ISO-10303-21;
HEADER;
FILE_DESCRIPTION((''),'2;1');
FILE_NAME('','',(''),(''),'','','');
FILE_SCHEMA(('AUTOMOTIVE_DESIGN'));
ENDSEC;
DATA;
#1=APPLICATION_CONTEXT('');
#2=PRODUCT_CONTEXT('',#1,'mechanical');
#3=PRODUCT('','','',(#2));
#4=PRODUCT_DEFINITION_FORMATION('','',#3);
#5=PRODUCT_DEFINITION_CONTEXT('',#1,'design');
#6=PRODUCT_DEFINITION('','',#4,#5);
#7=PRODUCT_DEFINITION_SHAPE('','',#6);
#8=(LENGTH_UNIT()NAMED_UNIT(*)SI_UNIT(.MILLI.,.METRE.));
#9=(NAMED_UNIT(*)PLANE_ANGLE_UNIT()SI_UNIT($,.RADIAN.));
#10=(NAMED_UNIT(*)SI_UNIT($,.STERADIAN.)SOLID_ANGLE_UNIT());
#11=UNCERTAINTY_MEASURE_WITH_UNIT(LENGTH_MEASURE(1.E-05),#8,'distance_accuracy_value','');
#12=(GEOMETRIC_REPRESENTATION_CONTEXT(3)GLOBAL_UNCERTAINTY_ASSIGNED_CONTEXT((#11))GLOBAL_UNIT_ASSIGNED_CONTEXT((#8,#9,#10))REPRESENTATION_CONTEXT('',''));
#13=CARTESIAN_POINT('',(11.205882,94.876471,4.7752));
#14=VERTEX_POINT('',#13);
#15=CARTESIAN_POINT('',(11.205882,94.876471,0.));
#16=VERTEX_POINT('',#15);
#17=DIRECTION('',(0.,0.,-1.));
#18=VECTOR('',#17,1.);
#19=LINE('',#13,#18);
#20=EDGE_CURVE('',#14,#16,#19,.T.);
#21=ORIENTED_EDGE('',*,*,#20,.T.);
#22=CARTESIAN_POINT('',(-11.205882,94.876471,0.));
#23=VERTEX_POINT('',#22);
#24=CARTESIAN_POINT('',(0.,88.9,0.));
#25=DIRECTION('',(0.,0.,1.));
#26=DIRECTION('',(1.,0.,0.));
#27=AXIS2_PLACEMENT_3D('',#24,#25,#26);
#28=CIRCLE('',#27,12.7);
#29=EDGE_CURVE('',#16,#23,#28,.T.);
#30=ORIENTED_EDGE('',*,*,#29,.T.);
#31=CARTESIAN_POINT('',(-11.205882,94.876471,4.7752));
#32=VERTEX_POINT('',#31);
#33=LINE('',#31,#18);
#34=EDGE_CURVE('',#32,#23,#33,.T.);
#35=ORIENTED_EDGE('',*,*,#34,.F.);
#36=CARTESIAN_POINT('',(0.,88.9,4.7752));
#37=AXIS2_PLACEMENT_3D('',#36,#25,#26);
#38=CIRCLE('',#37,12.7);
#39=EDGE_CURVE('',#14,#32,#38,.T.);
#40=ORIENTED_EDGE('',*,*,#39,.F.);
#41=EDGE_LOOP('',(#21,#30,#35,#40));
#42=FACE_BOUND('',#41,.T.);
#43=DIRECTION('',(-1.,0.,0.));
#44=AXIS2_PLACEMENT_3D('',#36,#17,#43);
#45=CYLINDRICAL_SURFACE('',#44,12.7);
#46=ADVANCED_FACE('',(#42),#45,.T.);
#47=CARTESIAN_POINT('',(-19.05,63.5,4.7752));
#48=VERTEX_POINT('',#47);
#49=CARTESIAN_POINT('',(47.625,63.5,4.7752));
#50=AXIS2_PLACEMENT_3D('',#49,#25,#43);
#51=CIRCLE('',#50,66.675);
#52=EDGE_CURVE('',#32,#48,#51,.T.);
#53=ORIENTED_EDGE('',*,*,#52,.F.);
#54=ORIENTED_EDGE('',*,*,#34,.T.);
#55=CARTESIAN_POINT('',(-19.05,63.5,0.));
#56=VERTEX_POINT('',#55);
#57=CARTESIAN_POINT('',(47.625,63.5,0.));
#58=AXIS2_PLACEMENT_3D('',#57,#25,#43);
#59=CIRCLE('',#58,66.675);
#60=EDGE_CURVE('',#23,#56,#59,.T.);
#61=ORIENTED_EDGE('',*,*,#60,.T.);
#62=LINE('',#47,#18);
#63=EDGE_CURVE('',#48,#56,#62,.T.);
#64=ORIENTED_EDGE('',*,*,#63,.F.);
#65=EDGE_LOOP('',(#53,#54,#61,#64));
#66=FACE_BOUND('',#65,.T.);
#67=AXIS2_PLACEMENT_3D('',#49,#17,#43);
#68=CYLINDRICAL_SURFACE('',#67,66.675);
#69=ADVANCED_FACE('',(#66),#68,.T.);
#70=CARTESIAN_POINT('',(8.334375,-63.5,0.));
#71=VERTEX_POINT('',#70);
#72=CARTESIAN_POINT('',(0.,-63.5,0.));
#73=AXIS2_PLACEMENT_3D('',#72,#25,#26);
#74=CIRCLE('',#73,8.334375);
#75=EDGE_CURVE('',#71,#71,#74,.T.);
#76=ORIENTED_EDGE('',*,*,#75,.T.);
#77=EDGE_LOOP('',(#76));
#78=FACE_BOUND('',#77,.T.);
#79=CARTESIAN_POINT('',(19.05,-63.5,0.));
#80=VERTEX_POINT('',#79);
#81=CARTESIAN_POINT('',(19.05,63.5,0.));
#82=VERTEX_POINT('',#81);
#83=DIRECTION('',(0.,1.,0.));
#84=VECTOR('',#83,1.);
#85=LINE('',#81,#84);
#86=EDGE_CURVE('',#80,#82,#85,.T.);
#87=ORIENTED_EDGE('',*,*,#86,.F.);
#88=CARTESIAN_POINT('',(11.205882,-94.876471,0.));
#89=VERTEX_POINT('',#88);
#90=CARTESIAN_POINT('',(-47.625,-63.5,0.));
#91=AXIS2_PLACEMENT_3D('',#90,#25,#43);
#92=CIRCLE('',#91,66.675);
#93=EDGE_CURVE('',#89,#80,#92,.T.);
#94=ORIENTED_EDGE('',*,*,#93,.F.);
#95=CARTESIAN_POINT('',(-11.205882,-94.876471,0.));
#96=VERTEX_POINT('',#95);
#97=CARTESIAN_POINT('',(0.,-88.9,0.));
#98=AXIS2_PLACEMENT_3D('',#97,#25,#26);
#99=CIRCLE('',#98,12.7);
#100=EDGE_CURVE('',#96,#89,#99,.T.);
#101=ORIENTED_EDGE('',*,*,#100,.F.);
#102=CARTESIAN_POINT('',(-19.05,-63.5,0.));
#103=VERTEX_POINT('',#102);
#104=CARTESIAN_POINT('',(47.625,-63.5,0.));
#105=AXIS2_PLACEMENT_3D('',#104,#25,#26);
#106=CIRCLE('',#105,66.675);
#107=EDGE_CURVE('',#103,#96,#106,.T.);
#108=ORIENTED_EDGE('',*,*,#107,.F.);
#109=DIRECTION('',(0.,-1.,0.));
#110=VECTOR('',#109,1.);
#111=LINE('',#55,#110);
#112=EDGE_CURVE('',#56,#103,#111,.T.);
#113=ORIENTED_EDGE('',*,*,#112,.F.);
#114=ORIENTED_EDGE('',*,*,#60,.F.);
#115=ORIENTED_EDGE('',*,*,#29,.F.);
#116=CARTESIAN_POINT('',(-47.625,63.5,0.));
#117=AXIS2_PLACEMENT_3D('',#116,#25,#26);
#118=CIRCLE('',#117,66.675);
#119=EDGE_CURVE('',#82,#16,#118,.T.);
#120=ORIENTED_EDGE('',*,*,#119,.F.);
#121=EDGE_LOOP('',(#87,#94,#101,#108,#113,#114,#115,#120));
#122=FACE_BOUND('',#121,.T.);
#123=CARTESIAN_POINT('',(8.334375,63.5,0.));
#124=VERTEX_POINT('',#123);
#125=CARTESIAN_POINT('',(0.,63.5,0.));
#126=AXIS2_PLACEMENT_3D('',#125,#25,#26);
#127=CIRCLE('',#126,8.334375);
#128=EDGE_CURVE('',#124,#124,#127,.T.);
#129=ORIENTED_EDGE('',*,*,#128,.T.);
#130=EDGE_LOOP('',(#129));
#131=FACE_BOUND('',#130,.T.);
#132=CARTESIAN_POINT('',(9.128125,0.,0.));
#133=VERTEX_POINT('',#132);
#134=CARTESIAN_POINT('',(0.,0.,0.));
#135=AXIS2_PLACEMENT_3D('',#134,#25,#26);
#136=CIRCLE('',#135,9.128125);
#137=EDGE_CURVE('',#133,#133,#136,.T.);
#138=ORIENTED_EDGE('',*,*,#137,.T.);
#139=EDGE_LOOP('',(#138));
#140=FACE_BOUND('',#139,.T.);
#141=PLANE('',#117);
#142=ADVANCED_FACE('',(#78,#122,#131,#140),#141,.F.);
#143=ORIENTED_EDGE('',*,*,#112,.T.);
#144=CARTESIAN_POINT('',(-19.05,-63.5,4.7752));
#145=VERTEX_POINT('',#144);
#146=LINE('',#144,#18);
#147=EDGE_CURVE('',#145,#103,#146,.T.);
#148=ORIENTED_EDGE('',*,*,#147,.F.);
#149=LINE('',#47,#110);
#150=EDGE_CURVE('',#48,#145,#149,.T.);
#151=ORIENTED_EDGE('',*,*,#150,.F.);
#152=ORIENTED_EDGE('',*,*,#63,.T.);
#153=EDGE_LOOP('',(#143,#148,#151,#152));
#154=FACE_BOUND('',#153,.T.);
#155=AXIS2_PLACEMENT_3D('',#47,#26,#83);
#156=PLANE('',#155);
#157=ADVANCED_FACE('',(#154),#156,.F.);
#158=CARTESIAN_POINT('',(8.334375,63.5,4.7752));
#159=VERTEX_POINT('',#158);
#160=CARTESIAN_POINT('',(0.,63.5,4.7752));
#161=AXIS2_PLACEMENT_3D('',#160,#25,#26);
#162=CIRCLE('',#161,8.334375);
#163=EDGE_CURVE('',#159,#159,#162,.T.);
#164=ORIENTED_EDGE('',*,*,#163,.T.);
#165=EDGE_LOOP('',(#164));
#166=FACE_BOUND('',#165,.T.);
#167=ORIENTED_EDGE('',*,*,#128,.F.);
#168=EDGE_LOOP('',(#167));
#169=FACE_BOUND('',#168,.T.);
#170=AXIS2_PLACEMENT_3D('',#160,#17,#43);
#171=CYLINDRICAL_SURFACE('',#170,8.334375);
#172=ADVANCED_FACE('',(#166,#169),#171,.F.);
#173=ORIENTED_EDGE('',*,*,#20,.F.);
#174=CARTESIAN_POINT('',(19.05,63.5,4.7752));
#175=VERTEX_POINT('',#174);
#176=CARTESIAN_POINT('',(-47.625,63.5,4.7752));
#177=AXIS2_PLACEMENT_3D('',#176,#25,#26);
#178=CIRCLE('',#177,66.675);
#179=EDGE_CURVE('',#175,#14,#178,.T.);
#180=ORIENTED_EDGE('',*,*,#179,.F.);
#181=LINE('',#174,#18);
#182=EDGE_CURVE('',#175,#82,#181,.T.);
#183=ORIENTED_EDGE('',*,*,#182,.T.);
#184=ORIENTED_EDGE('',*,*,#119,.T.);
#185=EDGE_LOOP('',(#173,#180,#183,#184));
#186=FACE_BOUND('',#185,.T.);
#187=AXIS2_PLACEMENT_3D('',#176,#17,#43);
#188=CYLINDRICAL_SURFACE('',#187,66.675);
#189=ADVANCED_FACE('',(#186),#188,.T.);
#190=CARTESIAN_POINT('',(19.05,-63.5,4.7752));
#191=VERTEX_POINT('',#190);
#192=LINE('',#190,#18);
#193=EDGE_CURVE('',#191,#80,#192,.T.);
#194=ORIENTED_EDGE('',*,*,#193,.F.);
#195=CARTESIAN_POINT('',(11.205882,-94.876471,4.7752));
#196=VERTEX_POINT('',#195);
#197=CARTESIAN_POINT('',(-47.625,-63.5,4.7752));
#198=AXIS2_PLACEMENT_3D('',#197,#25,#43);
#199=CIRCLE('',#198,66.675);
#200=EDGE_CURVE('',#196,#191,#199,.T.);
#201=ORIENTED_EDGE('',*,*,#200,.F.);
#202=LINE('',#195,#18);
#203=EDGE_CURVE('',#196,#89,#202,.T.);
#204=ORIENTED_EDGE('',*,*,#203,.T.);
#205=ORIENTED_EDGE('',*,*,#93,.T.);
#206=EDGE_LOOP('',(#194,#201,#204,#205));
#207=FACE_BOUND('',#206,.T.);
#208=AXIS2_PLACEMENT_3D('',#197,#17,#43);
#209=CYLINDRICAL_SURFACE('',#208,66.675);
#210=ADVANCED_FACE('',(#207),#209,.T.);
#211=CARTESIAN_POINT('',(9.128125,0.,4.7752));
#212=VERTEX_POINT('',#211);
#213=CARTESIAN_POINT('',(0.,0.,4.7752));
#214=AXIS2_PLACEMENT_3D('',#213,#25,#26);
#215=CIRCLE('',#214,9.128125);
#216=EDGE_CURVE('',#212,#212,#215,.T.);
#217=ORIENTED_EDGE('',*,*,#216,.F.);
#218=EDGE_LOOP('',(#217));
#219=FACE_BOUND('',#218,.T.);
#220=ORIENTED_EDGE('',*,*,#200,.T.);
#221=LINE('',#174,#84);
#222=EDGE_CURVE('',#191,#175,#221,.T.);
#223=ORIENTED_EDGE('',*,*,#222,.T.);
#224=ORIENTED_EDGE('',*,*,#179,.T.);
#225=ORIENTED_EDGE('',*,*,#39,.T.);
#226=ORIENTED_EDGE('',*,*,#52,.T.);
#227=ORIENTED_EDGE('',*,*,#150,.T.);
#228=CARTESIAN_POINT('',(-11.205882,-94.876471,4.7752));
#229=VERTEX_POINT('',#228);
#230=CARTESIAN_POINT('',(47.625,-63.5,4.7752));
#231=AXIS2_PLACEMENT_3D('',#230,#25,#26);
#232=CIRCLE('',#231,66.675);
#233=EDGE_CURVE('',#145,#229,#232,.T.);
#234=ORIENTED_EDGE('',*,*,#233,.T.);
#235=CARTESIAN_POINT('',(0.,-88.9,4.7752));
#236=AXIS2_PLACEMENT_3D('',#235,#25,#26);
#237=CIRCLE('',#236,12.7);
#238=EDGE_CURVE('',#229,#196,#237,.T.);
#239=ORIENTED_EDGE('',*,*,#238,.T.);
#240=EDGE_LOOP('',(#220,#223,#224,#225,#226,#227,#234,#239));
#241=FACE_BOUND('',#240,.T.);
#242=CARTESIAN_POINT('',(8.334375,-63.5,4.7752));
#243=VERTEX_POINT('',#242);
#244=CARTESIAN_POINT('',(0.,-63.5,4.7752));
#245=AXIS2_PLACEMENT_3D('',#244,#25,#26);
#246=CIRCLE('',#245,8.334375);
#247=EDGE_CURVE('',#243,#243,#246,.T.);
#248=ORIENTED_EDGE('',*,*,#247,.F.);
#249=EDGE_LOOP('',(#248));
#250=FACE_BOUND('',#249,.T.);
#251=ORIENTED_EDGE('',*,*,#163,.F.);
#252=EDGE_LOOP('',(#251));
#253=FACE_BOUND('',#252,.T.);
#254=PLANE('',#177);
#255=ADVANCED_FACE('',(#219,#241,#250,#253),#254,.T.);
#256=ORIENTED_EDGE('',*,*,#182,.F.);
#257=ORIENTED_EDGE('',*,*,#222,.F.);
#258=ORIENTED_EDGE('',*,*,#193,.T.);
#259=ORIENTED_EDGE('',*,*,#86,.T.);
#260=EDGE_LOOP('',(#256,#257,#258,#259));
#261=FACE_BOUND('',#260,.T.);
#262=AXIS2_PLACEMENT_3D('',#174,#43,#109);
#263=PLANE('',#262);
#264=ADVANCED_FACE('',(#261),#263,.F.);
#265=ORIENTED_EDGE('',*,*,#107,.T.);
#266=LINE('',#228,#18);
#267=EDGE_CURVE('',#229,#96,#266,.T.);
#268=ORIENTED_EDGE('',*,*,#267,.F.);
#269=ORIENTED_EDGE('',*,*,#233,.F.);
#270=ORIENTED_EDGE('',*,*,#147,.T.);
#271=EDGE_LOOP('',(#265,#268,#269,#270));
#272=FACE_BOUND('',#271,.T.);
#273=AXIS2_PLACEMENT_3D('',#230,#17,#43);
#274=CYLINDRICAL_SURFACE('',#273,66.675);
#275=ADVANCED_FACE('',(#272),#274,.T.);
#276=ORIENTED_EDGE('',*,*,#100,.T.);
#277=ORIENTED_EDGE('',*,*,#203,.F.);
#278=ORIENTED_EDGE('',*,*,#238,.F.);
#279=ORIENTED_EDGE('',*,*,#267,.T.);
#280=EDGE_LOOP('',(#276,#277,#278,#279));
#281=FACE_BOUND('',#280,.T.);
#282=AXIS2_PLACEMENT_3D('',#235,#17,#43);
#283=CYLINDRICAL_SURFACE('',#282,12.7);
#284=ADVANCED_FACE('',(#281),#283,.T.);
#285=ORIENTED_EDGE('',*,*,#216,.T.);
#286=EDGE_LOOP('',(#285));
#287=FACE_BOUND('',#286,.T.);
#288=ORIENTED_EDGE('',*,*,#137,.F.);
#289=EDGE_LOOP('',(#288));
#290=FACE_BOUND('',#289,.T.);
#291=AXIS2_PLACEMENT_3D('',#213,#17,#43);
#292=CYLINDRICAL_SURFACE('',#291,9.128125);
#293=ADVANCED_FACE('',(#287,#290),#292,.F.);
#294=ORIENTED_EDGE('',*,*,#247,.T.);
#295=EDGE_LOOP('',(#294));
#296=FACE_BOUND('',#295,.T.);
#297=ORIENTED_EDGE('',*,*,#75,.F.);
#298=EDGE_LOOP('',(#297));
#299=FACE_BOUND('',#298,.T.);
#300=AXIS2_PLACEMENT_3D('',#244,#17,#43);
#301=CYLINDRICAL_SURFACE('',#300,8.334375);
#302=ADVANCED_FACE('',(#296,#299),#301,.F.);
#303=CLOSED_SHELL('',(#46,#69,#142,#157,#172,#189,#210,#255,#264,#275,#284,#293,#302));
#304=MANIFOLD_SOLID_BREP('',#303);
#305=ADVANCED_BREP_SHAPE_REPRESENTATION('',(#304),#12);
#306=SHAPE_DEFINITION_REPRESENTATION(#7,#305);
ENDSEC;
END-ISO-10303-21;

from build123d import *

# Parameters (mm, degrees)
SKETCH1_R          = 9.128125
SKETCH1_R_2        = 8.334375
BASE_EXTRUDE_DEPTH = 4.7752


with BuildPart() as part:
    # Sketch1 → Base-Extrude (new body)
    with BuildSketch(Plane.XY):
        with BuildLine():
            Line((19.05, 63.5), (19.05, -63.5))
            ThreePointArc((19.05, -63.5), (17.059251197, -79.671062799), (11.205882353, -94.876470588))
            ThreePointArc((11.205882353, -94.876470588), (0, -101.6), (-11.205882353, -94.876470588))
            ThreePointArc((-11.205882353, -94.876470588), (-17.059251197, -79.671062799), (-19.05, -63.5))
            Line((-19.05, -63.5), (-19.05, 63.5))
            ThreePointArc((-19.05, 63.5), (-17.059251197, 79.671062799), (-11.205882353, 94.876470588))
            ThreePointArc((-11.205882353, 94.876470588), (0, 101.6), (11.205882353, 94.876470588))
            ThreePointArc((11.205882353, 94.876470588), (17.059251197, 79.671062799), (19.05, 63.5))
        make_face()
        Circle(SKETCH1_R, mode=Mode.SUBTRACT)
        with Locations((0, -63.5)):
            Circle(SKETCH1_R_2, mode=Mode.SUBTRACT)
        with Locations((0, 63.5)):
            Circle(SKETCH1_R_2, mode=Mode.SUBTRACT)
    extrude(amount=BASE_EXTRUDE_DEPTH)


solid = part.part
